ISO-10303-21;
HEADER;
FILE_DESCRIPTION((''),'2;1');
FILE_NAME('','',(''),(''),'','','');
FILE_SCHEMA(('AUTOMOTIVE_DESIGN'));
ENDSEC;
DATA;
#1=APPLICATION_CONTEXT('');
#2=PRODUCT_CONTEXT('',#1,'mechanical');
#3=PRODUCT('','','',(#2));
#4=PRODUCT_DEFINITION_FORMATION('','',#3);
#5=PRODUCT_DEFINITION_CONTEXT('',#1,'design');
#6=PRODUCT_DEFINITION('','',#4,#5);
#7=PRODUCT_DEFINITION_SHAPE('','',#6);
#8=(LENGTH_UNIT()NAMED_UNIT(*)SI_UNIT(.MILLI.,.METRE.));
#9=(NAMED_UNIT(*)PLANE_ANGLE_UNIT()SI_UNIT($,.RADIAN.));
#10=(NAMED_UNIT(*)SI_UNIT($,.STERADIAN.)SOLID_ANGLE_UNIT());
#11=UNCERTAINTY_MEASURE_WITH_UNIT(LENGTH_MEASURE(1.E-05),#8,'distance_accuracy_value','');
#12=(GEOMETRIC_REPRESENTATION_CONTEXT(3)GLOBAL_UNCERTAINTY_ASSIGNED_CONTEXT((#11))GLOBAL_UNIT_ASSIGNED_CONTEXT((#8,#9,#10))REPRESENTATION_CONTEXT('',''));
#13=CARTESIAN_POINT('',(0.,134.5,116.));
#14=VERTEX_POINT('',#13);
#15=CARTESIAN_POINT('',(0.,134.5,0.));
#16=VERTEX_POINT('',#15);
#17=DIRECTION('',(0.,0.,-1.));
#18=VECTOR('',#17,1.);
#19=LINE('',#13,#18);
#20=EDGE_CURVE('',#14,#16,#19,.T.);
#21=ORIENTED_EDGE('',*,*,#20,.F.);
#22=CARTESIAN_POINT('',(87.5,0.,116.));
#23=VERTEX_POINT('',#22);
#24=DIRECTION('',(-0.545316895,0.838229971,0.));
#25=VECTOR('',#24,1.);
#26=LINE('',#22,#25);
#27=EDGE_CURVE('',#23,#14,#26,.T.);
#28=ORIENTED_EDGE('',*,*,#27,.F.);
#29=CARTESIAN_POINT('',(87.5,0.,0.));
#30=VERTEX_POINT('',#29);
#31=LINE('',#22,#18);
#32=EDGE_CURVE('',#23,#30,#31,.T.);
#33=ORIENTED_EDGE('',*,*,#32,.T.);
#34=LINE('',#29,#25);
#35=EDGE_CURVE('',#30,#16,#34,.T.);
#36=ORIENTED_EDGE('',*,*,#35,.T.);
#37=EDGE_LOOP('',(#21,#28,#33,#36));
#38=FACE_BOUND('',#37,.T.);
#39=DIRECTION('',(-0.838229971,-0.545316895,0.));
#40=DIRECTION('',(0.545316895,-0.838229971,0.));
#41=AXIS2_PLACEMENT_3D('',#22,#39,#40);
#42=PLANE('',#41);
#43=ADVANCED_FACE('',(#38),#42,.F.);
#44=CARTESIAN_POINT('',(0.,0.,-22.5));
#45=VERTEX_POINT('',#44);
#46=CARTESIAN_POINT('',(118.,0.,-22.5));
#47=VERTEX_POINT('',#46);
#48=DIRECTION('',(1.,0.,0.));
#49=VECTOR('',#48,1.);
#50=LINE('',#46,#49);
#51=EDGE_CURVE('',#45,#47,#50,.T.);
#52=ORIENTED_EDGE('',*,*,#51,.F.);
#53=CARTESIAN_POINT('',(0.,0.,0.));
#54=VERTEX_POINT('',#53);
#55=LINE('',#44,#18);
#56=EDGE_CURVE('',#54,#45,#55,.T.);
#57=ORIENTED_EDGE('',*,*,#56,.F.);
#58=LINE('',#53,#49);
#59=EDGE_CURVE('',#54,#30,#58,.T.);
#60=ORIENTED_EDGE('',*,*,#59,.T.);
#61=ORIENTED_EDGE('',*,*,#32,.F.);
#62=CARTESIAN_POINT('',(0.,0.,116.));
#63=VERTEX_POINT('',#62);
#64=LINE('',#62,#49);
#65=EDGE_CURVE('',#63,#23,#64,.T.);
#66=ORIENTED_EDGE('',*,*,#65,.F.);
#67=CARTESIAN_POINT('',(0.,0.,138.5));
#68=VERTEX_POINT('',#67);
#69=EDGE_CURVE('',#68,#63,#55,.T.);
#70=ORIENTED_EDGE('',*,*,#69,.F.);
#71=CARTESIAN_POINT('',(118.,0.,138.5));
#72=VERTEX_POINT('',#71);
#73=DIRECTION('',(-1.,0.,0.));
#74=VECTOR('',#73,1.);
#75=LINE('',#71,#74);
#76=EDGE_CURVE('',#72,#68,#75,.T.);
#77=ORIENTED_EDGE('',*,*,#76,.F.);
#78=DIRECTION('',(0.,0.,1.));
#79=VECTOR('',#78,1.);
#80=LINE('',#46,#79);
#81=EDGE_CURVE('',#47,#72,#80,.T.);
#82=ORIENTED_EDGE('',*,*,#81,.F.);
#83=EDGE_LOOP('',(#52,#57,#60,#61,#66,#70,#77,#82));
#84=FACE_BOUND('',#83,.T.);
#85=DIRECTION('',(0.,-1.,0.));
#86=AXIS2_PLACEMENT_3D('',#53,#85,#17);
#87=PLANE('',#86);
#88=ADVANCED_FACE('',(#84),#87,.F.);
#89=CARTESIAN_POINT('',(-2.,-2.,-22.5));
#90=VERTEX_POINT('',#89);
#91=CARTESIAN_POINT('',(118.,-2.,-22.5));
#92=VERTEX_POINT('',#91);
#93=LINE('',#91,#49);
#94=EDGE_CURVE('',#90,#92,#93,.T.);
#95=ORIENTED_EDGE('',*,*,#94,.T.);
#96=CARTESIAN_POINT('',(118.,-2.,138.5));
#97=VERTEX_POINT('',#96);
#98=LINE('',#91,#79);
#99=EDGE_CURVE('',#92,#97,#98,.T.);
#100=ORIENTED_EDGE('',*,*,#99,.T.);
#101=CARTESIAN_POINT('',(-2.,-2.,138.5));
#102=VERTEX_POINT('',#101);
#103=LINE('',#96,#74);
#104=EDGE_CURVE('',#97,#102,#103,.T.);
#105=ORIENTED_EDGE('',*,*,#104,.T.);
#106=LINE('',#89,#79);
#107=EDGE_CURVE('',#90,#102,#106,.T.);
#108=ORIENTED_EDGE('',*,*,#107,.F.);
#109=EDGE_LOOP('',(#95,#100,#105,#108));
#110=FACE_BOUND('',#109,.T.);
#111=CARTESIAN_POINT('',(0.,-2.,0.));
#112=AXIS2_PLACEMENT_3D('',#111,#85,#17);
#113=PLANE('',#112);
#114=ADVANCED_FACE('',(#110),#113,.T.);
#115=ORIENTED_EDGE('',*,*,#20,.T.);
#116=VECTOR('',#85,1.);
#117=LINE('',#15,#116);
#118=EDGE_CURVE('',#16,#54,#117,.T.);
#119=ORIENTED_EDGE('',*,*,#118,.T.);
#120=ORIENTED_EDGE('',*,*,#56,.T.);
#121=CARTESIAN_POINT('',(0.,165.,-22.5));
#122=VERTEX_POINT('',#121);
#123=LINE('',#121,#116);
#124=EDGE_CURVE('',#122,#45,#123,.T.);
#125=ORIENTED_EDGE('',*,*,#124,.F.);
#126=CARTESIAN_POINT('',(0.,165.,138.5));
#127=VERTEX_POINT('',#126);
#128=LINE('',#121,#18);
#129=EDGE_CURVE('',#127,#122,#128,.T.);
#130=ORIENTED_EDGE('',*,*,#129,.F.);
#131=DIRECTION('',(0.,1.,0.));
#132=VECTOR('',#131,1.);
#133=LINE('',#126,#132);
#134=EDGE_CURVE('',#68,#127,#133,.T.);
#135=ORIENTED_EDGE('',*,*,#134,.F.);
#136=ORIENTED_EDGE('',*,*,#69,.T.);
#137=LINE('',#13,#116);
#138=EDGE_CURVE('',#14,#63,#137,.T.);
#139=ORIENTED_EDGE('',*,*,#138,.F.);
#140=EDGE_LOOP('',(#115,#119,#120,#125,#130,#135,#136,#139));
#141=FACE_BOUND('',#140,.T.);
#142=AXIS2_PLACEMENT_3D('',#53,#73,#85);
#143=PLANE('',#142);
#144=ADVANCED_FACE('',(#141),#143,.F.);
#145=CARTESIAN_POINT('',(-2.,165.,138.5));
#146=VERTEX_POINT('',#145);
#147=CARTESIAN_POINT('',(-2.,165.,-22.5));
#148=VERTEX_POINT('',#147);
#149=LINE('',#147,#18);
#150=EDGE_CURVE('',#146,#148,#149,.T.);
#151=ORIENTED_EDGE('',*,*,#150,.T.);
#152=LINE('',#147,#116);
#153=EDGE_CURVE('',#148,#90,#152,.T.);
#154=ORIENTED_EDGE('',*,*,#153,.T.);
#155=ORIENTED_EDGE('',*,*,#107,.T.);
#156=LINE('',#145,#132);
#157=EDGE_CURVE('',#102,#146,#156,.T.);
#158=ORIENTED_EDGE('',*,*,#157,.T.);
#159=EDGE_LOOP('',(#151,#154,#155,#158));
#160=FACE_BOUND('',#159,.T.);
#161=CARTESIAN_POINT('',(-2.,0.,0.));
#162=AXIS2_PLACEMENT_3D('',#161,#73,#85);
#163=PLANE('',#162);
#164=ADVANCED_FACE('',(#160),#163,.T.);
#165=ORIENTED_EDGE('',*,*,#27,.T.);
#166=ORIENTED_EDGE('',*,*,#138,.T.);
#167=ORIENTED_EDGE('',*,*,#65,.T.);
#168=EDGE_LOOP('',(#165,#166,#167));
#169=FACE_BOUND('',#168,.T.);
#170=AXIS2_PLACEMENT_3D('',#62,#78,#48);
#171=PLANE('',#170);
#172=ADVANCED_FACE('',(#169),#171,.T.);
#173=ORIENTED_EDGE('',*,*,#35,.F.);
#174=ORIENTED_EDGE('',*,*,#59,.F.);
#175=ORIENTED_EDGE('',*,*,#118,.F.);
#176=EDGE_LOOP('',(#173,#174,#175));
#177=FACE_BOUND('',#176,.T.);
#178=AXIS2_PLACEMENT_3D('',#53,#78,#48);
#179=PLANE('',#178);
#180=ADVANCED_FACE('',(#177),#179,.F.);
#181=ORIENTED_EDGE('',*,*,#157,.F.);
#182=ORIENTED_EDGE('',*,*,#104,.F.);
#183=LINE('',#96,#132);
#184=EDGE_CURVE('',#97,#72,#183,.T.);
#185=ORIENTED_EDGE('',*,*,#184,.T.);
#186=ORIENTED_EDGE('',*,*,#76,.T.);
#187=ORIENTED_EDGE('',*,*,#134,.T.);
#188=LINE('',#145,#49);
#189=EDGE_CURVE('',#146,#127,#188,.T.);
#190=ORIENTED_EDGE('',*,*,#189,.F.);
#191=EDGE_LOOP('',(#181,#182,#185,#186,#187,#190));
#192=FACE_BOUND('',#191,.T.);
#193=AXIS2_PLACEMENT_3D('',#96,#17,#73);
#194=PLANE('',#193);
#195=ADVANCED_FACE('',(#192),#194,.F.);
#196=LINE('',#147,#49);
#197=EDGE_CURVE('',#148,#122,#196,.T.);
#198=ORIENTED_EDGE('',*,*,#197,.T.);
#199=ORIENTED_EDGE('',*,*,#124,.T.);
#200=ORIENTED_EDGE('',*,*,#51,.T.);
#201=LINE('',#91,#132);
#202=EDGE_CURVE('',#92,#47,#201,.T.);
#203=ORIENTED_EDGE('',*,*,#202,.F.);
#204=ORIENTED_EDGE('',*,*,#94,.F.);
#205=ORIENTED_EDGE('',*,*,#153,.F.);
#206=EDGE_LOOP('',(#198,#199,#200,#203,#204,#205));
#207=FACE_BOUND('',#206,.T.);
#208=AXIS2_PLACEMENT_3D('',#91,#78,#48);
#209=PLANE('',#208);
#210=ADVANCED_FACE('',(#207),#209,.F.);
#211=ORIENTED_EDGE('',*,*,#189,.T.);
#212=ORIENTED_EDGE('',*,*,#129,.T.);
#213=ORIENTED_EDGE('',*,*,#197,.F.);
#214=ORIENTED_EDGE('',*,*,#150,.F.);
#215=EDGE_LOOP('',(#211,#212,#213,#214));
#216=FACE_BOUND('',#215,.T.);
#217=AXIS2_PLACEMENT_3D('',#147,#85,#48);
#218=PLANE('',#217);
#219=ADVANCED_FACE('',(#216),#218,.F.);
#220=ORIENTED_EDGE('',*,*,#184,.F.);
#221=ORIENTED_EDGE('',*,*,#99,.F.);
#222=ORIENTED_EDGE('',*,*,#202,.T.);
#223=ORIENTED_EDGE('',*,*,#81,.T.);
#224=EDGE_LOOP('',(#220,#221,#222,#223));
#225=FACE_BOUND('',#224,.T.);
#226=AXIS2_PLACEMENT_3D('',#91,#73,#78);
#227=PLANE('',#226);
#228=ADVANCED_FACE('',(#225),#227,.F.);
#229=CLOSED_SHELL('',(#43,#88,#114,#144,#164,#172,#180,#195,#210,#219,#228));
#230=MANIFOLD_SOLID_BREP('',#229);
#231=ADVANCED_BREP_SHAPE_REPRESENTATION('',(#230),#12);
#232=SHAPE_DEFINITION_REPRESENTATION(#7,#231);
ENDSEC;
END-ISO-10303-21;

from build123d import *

# Parameters (mm, degrees)
BOSS_EXTRUDE1_DEPTH = 116
SKETCH2_W           = 118
SKETCH2_H           = 161
BOSS_EXTRUDE2_DEPTH = 2
SKETCH3_W           = 161
SKETCH3_H           = 167
BOSS_EXTRUDE4_DEPTH = 2


with BuildPart() as part:
    # Sketch1 → Boss-Extrude1 (new body)
    with BuildSketch(Plane.XY):
        Polygon((0, 0), (87.5, 0), (0, 134.5), align=None)
    extrude(amount=BOSS_EXTRUDE1_DEPTH)

    # Sketch2 → Boss-Extrude2 (add)
    with BuildSketch(Plane(origin=(0, 0, 0), x_dir=(-1, 0, 0), z_dir=(0, -1, 0))):
        with Locations((-59, -58)):
            Rectangle(SKETCH2_W, SKETCH2_H)
    extrude(amount=BOSS_EXTRUDE2_DEPTH)

    # Sketch3 → Boss-Extrude4 (add)
    with BuildSketch(Plane.ZY):
        with Locations((58, 81.5)):
            Rectangle(SKETCH3_W, SKETCH3_H)
    extrude(amount=BOSS_EXTRUDE4_DEPTH)


solid = part.part
